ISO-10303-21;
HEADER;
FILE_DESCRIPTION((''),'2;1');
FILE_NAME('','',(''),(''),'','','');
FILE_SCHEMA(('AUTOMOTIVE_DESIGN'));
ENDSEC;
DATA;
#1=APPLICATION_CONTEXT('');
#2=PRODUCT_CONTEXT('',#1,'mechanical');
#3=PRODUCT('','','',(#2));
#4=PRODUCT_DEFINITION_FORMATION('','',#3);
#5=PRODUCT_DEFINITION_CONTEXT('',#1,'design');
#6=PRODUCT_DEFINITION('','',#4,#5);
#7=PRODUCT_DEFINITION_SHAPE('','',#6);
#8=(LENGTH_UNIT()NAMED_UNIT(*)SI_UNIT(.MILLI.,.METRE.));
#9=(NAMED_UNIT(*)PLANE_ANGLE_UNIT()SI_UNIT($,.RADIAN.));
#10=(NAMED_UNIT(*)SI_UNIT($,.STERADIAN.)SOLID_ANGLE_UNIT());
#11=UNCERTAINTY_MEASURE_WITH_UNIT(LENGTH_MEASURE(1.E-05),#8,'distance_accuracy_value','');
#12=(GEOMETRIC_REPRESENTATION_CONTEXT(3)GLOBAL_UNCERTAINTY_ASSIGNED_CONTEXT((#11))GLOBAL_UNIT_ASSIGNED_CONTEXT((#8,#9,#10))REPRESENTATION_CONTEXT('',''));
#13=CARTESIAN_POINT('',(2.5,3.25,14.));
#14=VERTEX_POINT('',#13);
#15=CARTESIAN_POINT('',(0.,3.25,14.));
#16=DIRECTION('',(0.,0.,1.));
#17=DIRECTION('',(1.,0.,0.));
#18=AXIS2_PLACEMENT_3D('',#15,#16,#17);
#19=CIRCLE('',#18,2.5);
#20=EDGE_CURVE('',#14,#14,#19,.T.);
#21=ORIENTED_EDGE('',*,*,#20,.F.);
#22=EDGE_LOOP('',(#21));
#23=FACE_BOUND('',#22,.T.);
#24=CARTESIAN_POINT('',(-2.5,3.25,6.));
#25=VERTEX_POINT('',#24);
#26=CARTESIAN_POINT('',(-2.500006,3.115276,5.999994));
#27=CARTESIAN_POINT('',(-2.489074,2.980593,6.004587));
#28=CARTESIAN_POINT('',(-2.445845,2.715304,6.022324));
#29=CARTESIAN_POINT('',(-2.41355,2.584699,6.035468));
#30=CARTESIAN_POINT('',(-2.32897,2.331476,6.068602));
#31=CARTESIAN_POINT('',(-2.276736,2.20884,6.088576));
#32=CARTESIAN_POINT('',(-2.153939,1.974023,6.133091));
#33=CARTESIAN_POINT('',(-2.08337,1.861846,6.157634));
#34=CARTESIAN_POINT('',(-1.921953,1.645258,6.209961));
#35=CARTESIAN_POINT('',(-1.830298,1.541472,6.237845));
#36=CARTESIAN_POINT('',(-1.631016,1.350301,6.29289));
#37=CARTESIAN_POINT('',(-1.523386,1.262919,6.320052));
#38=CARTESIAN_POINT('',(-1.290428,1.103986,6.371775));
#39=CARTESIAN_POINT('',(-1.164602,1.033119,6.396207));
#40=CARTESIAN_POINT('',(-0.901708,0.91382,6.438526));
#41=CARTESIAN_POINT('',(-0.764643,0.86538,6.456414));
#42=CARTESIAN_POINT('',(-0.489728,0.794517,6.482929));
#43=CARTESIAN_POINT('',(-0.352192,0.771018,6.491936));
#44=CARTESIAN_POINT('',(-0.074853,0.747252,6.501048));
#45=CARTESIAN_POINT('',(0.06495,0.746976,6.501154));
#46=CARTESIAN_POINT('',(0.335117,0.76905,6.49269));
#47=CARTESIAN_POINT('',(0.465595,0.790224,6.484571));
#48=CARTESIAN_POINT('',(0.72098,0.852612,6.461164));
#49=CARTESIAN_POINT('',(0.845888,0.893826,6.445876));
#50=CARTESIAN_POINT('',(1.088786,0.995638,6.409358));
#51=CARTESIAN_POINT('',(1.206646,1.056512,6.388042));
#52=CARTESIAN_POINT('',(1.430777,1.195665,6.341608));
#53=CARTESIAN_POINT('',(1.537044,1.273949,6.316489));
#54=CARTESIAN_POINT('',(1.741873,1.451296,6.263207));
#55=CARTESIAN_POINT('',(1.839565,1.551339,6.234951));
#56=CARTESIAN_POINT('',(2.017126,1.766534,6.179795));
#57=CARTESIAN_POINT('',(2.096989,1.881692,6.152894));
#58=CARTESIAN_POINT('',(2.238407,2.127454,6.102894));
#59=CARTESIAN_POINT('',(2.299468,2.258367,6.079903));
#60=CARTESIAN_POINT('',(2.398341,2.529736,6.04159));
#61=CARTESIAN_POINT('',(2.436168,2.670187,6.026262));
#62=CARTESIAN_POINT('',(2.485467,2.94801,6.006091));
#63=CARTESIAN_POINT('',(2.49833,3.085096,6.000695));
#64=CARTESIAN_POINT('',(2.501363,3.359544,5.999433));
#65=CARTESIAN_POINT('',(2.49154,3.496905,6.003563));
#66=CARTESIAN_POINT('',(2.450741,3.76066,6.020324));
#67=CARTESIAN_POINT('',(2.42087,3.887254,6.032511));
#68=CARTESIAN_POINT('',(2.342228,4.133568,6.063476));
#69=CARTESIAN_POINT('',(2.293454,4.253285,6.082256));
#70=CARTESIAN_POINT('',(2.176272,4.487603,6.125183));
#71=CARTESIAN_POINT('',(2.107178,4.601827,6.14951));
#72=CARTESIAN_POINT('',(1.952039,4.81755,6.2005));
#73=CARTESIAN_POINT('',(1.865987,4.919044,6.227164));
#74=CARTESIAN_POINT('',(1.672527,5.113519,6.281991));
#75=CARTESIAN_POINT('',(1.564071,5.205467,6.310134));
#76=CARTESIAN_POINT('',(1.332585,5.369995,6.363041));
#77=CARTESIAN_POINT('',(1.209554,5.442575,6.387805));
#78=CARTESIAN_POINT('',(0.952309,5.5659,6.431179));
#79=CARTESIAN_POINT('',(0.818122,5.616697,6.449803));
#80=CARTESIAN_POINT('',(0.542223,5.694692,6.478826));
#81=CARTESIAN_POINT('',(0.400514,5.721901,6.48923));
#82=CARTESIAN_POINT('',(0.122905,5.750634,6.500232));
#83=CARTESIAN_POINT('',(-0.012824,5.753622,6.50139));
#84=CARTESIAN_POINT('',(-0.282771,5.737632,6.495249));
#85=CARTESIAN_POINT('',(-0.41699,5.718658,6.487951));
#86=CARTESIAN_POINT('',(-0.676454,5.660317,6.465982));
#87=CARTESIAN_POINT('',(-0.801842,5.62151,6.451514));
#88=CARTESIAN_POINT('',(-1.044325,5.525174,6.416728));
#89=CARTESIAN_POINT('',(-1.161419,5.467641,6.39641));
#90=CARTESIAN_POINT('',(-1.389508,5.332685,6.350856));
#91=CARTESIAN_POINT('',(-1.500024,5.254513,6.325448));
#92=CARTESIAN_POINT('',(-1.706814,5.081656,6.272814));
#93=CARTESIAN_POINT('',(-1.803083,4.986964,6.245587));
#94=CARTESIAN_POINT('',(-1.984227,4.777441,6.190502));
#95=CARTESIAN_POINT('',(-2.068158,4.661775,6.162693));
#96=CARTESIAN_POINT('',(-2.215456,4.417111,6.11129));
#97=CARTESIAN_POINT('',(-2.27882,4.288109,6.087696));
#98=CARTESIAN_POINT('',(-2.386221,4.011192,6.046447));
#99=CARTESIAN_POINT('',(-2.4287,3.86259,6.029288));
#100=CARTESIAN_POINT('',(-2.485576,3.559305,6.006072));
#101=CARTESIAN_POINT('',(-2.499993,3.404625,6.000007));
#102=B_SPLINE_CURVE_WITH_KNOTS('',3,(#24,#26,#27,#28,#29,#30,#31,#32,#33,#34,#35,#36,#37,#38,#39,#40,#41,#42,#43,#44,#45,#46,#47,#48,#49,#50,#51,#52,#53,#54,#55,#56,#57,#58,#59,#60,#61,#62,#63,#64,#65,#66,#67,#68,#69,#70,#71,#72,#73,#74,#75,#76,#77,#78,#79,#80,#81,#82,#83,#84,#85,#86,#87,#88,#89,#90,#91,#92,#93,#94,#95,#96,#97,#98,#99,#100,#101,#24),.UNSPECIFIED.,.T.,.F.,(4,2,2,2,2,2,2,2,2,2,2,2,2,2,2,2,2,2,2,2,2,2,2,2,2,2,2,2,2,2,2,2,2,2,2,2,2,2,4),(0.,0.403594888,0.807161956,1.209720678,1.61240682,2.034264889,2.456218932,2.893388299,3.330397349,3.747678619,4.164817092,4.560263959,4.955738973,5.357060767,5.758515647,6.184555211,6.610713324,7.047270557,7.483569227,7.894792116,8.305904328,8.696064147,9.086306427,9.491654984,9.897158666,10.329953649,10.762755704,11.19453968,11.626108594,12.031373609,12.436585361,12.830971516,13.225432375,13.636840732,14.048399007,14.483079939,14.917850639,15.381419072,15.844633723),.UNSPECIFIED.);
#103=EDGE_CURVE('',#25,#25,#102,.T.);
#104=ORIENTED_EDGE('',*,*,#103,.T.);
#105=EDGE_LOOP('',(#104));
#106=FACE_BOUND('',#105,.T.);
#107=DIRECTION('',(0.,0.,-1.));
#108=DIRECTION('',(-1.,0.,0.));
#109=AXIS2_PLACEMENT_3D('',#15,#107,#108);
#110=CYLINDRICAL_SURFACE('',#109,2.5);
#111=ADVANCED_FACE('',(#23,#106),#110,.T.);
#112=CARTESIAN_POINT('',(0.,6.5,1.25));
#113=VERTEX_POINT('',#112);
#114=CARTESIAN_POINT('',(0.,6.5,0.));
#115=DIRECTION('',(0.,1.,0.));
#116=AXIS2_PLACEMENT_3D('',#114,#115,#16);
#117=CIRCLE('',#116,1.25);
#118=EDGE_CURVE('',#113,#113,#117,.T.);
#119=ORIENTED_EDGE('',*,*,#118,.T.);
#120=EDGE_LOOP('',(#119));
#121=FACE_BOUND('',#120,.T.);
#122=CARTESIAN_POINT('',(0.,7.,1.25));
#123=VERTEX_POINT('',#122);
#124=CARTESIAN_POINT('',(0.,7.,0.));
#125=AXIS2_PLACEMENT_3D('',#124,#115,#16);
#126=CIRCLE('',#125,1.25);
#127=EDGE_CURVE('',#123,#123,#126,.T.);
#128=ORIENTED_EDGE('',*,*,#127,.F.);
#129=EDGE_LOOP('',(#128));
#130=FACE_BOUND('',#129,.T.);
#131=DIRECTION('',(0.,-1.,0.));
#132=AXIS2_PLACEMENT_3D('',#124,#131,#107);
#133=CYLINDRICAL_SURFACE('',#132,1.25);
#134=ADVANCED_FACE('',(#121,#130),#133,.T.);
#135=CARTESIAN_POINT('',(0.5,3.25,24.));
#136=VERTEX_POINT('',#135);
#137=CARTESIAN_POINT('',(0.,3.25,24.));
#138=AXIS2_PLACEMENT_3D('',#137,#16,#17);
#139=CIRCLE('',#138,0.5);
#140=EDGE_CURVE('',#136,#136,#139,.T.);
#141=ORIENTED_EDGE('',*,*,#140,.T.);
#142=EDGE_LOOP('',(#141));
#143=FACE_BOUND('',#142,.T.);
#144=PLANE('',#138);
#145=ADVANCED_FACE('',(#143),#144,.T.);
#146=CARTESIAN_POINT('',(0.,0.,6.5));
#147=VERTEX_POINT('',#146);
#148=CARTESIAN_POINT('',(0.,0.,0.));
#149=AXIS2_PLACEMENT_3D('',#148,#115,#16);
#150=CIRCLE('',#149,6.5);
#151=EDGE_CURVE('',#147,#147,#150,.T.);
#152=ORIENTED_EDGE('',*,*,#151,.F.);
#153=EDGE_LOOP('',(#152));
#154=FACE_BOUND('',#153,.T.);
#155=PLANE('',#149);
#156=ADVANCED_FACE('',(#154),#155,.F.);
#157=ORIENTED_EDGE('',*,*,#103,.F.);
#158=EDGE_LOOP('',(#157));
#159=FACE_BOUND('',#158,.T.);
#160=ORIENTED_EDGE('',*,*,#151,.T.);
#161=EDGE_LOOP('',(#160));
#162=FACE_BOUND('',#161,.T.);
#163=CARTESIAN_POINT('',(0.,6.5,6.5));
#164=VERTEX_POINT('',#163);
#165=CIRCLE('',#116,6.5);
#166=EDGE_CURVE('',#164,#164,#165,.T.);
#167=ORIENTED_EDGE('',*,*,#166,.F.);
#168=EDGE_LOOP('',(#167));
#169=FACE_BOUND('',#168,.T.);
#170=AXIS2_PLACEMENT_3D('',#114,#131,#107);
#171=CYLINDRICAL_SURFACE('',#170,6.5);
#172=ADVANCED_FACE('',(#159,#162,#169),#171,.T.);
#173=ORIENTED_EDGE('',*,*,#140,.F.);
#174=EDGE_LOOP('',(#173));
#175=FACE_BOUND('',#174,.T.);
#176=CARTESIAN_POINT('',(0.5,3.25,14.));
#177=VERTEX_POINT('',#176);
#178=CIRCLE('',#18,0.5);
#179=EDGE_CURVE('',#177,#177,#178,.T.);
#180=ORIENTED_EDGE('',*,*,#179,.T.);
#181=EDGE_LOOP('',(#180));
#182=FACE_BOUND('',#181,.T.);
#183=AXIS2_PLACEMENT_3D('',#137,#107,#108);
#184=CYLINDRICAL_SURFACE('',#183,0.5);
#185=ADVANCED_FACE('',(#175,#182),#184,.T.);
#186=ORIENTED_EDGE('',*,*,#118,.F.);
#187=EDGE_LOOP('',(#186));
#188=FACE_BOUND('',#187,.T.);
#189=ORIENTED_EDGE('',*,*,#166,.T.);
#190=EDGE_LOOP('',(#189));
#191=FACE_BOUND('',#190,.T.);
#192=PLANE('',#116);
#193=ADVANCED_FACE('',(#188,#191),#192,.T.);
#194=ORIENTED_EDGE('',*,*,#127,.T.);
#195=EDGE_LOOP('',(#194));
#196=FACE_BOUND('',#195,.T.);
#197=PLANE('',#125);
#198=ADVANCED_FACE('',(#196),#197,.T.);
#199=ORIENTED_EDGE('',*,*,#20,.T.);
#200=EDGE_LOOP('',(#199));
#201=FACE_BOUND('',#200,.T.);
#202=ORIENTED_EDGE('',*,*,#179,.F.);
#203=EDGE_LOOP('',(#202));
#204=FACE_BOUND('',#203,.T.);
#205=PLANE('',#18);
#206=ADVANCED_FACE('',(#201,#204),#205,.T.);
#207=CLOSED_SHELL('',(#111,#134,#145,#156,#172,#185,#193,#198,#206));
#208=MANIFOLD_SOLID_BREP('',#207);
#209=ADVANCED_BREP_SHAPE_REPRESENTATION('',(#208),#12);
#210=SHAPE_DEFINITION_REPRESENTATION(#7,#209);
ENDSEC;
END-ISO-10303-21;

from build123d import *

# Parameters (mm, degrees)
SKETCH1_R           = 6.5
BOSS_EXTRUDE1_DEPTH = 6.5
SKETCH2_R           = 1.25
BOSS_EXTRUDE2_DEPTH = 0.5
SKETCH4_R           = 2.5
BOSS_EXTRUDE4_DEPTH = 14
SKETCH5_R           = 0.5
BOSS_EXTRUDE5_DEPTH = 10


with BuildPart() as part:
    # Sketch1 → Boss-Extrude1 (new body)
    with BuildSketch(Plane(origin=(0, 0, 0), x_dir=(1, 0, 0), z_dir=(0, 1, 0))):
        with Locations(Location((0, 0, 0), (0, 0, 90))):
            Circle(SKETCH1_R)
    extrude(amount=BOSS_EXTRUDE1_DEPTH)

    # Sketch2 → Boss-Extrude2 (add)
    with BuildSketch(Plane(origin=(0, 6.5, 0), x_dir=(1, 0, 0), z_dir=(0, 1, 0))):
        with Locations(Location((0, 0, 0), (0, 0, 270))):
            Circle(SKETCH2_R)
    extrude(amount=BOSS_EXTRUDE2_DEPTH)

    # Sketch4 → Boss-Extrude4 (add)
    with BuildSketch(Plane.XY):
        with Locations(Location((0, 3.25, 0), (0, 0, 180))):
            Circle(SKETCH4_R)
    extrude(amount=BOSS_EXTRUDE4_DEPTH)

    # Sketch5 → Boss-Extrude5 (add)
    with BuildSketch(Plane.XY.offset(14)):
        with Locations((0, 3.25)):
            Circle(SKETCH5_R)
    extrude(amount=BOSS_EXTRUDE5_DEPTH)


solid = part.part
